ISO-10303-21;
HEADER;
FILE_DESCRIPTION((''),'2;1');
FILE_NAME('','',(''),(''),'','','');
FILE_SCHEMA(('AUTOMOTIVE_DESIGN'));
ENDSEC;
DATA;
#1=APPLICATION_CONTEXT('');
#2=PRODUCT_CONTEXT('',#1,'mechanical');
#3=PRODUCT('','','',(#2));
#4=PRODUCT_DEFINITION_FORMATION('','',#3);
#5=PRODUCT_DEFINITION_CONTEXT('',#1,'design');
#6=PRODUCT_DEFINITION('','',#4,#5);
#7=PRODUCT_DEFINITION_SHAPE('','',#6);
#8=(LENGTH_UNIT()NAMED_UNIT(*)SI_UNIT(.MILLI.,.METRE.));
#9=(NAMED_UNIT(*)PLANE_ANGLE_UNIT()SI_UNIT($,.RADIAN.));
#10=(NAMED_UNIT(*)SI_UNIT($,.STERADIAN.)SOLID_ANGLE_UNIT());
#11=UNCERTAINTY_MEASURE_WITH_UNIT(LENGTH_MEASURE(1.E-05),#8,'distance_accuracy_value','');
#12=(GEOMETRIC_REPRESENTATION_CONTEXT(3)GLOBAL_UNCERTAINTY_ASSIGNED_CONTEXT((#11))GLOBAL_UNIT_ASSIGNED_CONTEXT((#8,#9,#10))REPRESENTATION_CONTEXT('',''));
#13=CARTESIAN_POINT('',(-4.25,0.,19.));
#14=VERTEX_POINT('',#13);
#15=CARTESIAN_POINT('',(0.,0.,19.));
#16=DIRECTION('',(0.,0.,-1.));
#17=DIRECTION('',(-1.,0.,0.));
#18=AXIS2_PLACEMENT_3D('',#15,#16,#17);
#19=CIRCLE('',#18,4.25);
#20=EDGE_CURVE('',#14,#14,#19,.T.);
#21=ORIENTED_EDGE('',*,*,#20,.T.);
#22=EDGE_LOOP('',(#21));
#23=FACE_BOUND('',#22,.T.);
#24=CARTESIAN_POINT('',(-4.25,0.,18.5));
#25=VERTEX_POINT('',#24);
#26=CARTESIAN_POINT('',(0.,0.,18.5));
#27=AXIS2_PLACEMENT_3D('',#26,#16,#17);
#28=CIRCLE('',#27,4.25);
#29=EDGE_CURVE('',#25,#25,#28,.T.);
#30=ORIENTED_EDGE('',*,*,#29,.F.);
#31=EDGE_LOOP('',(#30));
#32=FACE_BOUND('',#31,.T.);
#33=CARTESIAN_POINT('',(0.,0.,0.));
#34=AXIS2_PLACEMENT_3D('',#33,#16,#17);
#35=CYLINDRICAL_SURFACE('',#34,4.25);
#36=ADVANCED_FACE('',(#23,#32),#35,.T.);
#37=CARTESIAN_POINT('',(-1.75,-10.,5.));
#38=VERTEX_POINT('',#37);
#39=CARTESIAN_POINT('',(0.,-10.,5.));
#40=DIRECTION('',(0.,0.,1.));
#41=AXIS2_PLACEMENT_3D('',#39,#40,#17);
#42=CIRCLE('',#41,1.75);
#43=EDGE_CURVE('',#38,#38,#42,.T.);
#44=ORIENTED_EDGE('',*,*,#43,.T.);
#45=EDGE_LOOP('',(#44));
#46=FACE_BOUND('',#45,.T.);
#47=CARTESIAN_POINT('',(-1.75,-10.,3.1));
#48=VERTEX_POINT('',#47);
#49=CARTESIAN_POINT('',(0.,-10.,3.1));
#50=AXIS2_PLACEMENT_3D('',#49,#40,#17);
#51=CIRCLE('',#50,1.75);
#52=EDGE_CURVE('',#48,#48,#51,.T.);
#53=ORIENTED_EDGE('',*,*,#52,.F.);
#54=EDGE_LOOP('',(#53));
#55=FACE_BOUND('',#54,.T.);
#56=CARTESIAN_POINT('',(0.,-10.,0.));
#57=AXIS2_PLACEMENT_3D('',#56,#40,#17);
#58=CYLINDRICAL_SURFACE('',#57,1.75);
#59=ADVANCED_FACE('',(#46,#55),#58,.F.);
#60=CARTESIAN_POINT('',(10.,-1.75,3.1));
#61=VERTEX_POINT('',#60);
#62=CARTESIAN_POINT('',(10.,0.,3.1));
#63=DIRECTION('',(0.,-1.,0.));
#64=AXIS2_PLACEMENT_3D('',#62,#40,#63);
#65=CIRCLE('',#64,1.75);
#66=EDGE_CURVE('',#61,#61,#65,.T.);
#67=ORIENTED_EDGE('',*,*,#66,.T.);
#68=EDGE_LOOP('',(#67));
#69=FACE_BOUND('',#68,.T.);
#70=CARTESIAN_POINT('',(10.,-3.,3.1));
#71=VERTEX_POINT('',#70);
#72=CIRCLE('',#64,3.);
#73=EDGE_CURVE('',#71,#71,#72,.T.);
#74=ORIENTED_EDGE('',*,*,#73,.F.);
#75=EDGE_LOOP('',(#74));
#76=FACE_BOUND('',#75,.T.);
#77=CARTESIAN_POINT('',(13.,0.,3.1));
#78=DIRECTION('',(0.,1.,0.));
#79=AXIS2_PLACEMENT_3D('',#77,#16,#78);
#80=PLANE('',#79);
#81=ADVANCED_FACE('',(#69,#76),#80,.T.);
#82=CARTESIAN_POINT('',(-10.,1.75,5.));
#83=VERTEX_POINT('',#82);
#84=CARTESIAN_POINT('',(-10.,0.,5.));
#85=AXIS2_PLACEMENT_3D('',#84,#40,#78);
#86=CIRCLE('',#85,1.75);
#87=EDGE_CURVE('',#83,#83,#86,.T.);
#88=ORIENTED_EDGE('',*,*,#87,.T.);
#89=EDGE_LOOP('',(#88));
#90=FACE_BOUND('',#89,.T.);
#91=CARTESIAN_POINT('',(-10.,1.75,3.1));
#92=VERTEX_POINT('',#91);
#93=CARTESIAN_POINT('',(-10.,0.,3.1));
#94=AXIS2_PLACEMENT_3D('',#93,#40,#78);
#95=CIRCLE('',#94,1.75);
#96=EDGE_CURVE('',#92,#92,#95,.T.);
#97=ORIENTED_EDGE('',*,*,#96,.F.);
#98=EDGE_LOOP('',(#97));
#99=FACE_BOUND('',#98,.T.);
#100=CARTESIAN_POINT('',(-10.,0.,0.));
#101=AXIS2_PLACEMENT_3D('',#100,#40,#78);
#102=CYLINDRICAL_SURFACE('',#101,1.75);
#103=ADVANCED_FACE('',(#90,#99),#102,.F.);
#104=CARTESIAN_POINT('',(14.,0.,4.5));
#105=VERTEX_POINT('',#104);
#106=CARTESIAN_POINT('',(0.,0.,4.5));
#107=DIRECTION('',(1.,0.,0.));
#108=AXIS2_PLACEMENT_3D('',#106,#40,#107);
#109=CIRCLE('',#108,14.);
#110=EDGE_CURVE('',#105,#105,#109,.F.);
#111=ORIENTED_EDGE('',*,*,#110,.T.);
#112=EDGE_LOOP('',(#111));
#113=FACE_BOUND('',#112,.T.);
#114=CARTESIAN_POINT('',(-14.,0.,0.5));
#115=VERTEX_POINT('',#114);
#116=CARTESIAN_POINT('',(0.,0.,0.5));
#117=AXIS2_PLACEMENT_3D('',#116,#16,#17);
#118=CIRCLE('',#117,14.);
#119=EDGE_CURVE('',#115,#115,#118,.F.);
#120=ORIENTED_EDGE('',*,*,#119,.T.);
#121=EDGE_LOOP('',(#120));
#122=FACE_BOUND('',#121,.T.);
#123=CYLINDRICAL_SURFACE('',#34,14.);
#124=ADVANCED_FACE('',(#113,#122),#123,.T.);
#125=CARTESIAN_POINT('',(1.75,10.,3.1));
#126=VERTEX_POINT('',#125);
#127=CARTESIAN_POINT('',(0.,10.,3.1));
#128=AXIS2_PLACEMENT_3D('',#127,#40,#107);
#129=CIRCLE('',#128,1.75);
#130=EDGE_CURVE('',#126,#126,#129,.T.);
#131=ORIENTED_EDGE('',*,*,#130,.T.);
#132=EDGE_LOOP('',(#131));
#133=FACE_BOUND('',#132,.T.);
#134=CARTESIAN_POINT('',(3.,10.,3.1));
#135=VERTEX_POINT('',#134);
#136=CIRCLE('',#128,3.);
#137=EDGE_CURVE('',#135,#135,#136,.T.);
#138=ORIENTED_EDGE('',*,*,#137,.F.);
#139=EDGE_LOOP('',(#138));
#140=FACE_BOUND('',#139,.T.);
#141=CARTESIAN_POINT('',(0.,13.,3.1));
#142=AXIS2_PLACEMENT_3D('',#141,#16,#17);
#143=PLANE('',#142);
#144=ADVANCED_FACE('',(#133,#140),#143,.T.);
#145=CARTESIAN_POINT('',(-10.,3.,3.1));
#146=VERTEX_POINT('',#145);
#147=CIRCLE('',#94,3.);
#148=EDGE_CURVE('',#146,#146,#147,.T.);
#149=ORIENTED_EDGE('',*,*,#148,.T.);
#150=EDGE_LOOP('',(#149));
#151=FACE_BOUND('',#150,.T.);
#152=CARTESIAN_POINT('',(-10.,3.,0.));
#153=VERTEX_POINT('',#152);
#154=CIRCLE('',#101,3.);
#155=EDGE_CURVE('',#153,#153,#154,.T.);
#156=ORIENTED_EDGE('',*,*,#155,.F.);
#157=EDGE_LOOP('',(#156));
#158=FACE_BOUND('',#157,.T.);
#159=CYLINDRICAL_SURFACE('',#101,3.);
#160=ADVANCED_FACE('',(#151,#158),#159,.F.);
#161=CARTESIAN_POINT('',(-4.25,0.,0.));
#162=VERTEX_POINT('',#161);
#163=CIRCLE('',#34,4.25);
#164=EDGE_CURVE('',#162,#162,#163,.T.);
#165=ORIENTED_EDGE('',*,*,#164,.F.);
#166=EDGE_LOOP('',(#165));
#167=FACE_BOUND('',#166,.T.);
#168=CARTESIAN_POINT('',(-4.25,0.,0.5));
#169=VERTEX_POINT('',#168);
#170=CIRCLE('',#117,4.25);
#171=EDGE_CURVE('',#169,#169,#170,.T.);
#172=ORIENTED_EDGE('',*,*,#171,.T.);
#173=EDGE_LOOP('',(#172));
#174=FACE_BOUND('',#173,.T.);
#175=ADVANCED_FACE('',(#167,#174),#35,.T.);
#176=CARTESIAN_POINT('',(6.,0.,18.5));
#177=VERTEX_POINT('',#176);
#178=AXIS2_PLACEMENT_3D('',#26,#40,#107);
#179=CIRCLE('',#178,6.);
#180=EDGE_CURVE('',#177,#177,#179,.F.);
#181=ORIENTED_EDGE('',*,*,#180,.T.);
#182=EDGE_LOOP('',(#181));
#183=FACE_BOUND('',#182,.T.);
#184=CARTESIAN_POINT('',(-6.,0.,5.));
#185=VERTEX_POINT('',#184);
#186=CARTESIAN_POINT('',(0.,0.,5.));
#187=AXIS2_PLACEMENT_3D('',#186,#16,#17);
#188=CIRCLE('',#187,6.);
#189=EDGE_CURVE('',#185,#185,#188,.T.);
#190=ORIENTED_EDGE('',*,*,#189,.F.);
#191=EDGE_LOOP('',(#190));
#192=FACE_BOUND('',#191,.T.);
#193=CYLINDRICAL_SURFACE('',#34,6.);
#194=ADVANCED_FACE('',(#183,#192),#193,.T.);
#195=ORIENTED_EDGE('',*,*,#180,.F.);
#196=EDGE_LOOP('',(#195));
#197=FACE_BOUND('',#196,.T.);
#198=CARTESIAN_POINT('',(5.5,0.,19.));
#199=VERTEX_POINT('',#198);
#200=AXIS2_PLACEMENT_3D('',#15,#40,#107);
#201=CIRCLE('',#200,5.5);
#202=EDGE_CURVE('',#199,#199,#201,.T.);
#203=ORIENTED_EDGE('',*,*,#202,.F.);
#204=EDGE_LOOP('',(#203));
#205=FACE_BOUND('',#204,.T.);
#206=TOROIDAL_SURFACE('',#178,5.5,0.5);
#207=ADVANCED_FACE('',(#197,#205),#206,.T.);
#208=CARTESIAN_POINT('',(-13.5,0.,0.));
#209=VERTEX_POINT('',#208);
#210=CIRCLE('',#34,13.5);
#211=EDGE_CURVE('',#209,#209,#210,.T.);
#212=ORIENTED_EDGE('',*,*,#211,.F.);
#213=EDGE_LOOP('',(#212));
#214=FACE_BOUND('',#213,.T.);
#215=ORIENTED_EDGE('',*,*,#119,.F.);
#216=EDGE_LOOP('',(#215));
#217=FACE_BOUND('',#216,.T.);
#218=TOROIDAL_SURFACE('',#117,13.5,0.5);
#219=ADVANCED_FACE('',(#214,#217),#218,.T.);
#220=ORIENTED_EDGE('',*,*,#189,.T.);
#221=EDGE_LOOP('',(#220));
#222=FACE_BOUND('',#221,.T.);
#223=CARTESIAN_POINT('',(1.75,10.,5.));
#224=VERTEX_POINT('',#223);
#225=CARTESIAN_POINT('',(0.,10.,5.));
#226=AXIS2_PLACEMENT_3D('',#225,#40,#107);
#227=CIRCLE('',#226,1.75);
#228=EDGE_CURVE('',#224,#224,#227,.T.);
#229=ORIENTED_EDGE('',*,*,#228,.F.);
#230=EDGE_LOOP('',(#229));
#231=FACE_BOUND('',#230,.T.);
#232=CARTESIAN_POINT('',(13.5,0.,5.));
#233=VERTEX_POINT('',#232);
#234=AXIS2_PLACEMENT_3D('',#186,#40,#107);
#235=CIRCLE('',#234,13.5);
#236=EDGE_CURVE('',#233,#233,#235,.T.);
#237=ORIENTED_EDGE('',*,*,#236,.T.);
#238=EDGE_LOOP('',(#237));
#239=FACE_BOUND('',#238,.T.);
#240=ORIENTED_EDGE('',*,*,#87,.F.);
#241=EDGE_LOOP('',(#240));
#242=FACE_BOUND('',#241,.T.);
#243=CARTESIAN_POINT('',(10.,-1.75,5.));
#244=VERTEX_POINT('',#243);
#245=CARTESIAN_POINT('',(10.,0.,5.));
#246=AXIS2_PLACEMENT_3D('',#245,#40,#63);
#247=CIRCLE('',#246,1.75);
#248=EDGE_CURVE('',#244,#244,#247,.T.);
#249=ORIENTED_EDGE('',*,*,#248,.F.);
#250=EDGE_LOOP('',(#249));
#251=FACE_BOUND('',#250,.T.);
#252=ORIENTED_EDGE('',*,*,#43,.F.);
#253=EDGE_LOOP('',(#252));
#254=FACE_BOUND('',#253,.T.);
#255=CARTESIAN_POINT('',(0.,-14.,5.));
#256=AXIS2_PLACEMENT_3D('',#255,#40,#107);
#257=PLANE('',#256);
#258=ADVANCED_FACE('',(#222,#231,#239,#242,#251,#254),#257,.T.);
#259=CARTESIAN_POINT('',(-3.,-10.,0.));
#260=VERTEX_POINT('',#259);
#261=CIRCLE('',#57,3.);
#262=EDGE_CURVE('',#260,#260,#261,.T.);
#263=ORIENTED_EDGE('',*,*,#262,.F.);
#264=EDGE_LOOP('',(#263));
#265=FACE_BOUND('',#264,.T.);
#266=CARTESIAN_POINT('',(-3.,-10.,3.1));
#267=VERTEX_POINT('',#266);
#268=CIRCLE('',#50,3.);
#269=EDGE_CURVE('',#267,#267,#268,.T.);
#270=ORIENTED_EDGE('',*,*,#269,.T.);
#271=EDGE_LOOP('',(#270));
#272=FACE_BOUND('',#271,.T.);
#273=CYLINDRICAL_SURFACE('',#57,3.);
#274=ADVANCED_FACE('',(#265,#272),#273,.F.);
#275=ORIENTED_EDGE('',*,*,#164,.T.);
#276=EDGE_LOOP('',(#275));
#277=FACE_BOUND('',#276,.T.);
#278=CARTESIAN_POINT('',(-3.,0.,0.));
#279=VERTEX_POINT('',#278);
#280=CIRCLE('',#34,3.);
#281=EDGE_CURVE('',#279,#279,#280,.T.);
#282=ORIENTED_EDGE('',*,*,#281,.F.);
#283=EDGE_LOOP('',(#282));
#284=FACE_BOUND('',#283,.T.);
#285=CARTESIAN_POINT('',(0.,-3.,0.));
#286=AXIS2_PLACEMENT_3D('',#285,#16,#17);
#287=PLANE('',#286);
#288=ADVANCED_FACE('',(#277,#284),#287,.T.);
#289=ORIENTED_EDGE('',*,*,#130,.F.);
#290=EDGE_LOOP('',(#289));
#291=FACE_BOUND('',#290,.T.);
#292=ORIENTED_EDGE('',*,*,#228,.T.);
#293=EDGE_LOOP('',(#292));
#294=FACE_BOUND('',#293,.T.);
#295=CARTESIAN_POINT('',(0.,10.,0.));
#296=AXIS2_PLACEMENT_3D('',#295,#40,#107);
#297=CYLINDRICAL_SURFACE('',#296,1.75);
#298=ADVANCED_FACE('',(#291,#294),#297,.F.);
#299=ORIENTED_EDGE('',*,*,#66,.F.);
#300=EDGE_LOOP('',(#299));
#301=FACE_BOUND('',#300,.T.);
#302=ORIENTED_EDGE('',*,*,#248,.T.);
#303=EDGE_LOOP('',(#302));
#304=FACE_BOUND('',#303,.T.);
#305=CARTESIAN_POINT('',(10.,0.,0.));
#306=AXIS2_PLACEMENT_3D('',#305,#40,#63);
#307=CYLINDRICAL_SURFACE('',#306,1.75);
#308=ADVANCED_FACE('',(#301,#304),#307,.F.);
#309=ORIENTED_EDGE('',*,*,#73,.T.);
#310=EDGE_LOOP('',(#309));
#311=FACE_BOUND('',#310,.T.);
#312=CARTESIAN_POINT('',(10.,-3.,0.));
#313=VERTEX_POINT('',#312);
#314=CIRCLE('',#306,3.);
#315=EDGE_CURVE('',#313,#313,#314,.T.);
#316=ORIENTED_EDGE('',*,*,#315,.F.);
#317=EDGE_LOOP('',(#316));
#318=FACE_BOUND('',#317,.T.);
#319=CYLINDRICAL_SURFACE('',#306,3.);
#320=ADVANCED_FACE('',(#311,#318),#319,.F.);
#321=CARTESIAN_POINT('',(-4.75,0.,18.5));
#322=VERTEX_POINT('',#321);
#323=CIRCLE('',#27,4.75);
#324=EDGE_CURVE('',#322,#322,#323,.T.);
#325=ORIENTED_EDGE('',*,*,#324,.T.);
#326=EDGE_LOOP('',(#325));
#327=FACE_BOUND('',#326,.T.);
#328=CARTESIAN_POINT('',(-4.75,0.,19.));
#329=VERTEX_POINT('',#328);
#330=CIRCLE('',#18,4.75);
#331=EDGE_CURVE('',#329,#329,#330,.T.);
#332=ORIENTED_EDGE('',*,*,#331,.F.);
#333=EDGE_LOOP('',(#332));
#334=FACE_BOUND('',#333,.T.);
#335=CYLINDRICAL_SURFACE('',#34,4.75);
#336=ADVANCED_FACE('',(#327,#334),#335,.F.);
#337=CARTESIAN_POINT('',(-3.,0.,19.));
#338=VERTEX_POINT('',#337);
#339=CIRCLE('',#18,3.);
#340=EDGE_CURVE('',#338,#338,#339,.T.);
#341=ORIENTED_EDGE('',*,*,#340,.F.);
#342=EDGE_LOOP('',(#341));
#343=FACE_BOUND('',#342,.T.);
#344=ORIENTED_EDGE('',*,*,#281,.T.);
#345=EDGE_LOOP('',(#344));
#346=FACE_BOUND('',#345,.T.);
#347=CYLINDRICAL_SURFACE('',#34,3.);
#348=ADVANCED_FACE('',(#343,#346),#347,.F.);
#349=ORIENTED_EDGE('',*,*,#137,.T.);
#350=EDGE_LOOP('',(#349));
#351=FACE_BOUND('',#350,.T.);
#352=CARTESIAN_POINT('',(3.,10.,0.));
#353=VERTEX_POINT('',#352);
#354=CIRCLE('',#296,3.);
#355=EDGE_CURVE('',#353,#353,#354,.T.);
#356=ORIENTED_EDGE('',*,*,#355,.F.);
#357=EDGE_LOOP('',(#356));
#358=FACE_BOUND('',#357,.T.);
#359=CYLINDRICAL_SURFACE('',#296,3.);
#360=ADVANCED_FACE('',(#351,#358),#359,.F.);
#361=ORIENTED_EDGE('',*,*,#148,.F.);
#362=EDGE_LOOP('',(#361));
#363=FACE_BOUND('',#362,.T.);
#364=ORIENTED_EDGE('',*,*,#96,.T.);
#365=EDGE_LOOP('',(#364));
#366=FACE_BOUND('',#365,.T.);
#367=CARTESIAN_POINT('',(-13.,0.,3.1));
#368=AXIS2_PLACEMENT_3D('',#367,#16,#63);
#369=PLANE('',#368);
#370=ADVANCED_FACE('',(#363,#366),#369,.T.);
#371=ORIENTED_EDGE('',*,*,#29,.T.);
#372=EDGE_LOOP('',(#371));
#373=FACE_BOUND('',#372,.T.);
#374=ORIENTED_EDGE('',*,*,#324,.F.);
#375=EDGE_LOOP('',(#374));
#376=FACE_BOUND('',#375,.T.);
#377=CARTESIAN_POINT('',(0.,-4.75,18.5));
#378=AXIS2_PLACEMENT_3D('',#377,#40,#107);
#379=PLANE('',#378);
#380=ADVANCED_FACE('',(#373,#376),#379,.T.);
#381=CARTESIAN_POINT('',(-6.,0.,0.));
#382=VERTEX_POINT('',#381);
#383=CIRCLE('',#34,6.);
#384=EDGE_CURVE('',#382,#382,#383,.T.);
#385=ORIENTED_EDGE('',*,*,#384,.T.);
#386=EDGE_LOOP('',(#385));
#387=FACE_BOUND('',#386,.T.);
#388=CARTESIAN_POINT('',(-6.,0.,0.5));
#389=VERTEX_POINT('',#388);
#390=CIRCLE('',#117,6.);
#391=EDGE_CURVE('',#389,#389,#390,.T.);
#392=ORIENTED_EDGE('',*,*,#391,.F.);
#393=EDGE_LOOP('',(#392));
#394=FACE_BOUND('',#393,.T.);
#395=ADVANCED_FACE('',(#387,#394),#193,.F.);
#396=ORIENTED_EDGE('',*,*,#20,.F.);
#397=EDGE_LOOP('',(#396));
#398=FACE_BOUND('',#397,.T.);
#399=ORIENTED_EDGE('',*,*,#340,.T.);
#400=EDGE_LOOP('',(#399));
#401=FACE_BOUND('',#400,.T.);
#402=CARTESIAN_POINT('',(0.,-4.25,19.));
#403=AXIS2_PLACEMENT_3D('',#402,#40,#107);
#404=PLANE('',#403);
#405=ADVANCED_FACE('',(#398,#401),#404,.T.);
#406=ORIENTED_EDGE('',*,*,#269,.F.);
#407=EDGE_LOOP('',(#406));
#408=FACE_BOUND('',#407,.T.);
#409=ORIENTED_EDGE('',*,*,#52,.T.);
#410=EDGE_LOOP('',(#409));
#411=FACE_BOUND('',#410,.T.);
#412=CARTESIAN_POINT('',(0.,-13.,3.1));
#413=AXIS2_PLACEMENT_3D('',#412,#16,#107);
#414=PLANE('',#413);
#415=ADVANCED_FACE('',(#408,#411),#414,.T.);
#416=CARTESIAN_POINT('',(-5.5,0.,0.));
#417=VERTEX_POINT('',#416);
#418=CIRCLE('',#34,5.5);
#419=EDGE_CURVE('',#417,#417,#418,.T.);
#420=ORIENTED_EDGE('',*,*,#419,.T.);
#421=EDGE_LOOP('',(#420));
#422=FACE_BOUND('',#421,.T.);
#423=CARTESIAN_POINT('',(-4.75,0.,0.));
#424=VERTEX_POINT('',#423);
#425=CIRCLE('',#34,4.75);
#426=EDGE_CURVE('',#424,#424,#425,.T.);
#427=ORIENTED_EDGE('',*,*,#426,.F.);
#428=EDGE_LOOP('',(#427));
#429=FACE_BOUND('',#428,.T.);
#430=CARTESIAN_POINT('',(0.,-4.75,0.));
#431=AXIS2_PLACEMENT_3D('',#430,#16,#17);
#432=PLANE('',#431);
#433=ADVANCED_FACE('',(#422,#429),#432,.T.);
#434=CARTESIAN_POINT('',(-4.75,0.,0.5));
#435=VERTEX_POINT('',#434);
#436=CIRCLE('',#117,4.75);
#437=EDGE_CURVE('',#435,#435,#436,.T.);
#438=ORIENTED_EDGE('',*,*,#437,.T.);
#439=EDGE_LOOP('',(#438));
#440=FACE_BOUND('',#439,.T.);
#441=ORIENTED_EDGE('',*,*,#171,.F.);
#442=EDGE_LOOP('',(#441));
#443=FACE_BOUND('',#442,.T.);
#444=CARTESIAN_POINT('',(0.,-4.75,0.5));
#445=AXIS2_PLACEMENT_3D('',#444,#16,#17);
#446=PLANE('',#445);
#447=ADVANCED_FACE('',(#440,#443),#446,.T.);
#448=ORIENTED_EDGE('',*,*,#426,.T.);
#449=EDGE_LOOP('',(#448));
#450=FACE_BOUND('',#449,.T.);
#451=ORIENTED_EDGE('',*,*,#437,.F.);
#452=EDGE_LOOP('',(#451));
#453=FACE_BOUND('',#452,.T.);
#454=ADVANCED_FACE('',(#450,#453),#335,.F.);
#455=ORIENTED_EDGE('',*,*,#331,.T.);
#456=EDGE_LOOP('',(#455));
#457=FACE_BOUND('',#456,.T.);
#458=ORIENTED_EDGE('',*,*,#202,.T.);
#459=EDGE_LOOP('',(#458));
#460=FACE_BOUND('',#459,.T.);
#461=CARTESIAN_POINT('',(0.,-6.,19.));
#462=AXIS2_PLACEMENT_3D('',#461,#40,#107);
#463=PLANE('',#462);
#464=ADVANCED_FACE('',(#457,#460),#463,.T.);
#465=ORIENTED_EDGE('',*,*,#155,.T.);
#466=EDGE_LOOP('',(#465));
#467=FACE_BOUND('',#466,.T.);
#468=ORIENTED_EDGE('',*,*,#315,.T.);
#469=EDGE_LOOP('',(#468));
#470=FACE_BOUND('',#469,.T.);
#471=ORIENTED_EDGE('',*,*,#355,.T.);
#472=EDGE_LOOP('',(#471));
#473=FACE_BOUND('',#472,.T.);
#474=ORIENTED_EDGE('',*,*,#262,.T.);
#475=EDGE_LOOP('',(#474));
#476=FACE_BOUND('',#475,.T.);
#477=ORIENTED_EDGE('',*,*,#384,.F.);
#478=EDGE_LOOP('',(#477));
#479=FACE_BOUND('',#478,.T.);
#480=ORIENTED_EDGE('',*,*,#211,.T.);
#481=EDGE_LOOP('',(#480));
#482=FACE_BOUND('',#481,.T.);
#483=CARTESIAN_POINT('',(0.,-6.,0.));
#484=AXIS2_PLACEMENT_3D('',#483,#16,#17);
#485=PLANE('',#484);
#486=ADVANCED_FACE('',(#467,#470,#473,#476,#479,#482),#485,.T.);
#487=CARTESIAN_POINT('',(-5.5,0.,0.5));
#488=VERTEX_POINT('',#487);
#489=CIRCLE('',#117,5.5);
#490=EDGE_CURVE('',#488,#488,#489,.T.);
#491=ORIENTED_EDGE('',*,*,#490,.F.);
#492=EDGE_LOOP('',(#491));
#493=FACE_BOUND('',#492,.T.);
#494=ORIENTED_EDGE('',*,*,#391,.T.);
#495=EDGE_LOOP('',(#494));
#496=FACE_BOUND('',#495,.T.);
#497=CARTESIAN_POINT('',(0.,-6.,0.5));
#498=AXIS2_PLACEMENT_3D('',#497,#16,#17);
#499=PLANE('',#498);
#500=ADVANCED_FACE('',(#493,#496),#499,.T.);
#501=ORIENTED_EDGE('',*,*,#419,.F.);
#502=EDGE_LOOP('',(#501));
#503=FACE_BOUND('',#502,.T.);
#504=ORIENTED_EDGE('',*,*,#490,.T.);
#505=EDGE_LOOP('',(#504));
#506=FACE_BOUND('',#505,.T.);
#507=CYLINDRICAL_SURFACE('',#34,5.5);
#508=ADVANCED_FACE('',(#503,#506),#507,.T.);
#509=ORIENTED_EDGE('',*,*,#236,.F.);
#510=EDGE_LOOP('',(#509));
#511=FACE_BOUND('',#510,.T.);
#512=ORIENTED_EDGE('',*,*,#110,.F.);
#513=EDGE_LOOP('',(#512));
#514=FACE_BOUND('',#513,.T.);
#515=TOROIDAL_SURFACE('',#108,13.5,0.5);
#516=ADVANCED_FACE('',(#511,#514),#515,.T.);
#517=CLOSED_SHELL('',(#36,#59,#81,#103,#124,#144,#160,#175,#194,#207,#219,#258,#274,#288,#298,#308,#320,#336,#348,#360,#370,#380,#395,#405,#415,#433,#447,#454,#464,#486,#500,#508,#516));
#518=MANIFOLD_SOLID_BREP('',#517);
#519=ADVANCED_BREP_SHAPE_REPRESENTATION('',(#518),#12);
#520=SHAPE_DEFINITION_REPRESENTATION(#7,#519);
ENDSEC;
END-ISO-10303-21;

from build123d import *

# Parameters (mm, degrees)
PADR_OCIRCULAR1_COUNT = 4
FILETE1_R             = 0.5


with BuildPart() as part:
    # Esboço1 → Revolução1 (revolve)
    with BuildSketch(Plane(origin=(0, 0, 0), x_dir=(0, 0, -1), z_dir=(-1, 0, 0)), mode=Mode.PRIVATE) as revolu_o1_sk:
        Polygon((0, 3), (0, 4.25), (-0.5, 4.25), (-0.5, 4.75), (0, 4.75), (0, 5.5), (-0.5, 5.5), (-0.5, 6), (0, 6), (0, 14), (-5, 14), (-5, 6), (-19, 6), (-19, 4.75), (-18.5, 4.75), (-18.5, 4.25), (-19, 4.25), (-19, 3), align=None)
    revolve(revolu_o1_sk.sketch.rotate(Axis((0, 0, 0), (0, 0, 1)), 270), axis=Axis((0, 0, 0), (0, 0, 1)))  # turned: the seam where the file's is

    # Esboço5 → Corte-Revolução1 (revolve, cut)
    with BuildSketch(Plane(origin=(0, 0, 0), x_dir=(0, 0, -1), z_dir=(1, 0, 0)), mode=Mode.PRIVATE) as corte_revolu_o1_sk:
        Polygon((0, 13), (-3.1, 13), (-3.1, 11.75), (-5, 11.75), (-5, 10), (0, 10), align=None)
    corte_revolu_o1 = revolve(corte_revolu_o1_sk.sketch.rotate(Axis((0, 10, 0), (0, 0, -1)), 90), axis=Axis((0, 10, 0), (0, 0, -1)), mode=Mode.SUBTRACT)  # turned: the seam where the file's is

    # PadrãoCircular1: Corte-Revolução1 ×4 about axis
    padr_ocircular1_axis = Axis((0, 0, 0), (0, 0, 1))
    for i in range(1, PADR_OCIRCULAR1_COUNT):
        add(corte_revolu_o1.rotate(padr_ocircular1_axis, i * 360 / PADR_OCIRCULAR1_COUNT), mode=Mode.SUBTRACT)

    # Filete1
    filete1_edges = [part.edges().sort_by_distance(p)[0] for p in [
        (6, 0, 19),
        (14, 0, 5),
        (14, 0, 0),
    ]]
    fillet(filete1_edges, radius=FILETE1_R)


solid = part.part
